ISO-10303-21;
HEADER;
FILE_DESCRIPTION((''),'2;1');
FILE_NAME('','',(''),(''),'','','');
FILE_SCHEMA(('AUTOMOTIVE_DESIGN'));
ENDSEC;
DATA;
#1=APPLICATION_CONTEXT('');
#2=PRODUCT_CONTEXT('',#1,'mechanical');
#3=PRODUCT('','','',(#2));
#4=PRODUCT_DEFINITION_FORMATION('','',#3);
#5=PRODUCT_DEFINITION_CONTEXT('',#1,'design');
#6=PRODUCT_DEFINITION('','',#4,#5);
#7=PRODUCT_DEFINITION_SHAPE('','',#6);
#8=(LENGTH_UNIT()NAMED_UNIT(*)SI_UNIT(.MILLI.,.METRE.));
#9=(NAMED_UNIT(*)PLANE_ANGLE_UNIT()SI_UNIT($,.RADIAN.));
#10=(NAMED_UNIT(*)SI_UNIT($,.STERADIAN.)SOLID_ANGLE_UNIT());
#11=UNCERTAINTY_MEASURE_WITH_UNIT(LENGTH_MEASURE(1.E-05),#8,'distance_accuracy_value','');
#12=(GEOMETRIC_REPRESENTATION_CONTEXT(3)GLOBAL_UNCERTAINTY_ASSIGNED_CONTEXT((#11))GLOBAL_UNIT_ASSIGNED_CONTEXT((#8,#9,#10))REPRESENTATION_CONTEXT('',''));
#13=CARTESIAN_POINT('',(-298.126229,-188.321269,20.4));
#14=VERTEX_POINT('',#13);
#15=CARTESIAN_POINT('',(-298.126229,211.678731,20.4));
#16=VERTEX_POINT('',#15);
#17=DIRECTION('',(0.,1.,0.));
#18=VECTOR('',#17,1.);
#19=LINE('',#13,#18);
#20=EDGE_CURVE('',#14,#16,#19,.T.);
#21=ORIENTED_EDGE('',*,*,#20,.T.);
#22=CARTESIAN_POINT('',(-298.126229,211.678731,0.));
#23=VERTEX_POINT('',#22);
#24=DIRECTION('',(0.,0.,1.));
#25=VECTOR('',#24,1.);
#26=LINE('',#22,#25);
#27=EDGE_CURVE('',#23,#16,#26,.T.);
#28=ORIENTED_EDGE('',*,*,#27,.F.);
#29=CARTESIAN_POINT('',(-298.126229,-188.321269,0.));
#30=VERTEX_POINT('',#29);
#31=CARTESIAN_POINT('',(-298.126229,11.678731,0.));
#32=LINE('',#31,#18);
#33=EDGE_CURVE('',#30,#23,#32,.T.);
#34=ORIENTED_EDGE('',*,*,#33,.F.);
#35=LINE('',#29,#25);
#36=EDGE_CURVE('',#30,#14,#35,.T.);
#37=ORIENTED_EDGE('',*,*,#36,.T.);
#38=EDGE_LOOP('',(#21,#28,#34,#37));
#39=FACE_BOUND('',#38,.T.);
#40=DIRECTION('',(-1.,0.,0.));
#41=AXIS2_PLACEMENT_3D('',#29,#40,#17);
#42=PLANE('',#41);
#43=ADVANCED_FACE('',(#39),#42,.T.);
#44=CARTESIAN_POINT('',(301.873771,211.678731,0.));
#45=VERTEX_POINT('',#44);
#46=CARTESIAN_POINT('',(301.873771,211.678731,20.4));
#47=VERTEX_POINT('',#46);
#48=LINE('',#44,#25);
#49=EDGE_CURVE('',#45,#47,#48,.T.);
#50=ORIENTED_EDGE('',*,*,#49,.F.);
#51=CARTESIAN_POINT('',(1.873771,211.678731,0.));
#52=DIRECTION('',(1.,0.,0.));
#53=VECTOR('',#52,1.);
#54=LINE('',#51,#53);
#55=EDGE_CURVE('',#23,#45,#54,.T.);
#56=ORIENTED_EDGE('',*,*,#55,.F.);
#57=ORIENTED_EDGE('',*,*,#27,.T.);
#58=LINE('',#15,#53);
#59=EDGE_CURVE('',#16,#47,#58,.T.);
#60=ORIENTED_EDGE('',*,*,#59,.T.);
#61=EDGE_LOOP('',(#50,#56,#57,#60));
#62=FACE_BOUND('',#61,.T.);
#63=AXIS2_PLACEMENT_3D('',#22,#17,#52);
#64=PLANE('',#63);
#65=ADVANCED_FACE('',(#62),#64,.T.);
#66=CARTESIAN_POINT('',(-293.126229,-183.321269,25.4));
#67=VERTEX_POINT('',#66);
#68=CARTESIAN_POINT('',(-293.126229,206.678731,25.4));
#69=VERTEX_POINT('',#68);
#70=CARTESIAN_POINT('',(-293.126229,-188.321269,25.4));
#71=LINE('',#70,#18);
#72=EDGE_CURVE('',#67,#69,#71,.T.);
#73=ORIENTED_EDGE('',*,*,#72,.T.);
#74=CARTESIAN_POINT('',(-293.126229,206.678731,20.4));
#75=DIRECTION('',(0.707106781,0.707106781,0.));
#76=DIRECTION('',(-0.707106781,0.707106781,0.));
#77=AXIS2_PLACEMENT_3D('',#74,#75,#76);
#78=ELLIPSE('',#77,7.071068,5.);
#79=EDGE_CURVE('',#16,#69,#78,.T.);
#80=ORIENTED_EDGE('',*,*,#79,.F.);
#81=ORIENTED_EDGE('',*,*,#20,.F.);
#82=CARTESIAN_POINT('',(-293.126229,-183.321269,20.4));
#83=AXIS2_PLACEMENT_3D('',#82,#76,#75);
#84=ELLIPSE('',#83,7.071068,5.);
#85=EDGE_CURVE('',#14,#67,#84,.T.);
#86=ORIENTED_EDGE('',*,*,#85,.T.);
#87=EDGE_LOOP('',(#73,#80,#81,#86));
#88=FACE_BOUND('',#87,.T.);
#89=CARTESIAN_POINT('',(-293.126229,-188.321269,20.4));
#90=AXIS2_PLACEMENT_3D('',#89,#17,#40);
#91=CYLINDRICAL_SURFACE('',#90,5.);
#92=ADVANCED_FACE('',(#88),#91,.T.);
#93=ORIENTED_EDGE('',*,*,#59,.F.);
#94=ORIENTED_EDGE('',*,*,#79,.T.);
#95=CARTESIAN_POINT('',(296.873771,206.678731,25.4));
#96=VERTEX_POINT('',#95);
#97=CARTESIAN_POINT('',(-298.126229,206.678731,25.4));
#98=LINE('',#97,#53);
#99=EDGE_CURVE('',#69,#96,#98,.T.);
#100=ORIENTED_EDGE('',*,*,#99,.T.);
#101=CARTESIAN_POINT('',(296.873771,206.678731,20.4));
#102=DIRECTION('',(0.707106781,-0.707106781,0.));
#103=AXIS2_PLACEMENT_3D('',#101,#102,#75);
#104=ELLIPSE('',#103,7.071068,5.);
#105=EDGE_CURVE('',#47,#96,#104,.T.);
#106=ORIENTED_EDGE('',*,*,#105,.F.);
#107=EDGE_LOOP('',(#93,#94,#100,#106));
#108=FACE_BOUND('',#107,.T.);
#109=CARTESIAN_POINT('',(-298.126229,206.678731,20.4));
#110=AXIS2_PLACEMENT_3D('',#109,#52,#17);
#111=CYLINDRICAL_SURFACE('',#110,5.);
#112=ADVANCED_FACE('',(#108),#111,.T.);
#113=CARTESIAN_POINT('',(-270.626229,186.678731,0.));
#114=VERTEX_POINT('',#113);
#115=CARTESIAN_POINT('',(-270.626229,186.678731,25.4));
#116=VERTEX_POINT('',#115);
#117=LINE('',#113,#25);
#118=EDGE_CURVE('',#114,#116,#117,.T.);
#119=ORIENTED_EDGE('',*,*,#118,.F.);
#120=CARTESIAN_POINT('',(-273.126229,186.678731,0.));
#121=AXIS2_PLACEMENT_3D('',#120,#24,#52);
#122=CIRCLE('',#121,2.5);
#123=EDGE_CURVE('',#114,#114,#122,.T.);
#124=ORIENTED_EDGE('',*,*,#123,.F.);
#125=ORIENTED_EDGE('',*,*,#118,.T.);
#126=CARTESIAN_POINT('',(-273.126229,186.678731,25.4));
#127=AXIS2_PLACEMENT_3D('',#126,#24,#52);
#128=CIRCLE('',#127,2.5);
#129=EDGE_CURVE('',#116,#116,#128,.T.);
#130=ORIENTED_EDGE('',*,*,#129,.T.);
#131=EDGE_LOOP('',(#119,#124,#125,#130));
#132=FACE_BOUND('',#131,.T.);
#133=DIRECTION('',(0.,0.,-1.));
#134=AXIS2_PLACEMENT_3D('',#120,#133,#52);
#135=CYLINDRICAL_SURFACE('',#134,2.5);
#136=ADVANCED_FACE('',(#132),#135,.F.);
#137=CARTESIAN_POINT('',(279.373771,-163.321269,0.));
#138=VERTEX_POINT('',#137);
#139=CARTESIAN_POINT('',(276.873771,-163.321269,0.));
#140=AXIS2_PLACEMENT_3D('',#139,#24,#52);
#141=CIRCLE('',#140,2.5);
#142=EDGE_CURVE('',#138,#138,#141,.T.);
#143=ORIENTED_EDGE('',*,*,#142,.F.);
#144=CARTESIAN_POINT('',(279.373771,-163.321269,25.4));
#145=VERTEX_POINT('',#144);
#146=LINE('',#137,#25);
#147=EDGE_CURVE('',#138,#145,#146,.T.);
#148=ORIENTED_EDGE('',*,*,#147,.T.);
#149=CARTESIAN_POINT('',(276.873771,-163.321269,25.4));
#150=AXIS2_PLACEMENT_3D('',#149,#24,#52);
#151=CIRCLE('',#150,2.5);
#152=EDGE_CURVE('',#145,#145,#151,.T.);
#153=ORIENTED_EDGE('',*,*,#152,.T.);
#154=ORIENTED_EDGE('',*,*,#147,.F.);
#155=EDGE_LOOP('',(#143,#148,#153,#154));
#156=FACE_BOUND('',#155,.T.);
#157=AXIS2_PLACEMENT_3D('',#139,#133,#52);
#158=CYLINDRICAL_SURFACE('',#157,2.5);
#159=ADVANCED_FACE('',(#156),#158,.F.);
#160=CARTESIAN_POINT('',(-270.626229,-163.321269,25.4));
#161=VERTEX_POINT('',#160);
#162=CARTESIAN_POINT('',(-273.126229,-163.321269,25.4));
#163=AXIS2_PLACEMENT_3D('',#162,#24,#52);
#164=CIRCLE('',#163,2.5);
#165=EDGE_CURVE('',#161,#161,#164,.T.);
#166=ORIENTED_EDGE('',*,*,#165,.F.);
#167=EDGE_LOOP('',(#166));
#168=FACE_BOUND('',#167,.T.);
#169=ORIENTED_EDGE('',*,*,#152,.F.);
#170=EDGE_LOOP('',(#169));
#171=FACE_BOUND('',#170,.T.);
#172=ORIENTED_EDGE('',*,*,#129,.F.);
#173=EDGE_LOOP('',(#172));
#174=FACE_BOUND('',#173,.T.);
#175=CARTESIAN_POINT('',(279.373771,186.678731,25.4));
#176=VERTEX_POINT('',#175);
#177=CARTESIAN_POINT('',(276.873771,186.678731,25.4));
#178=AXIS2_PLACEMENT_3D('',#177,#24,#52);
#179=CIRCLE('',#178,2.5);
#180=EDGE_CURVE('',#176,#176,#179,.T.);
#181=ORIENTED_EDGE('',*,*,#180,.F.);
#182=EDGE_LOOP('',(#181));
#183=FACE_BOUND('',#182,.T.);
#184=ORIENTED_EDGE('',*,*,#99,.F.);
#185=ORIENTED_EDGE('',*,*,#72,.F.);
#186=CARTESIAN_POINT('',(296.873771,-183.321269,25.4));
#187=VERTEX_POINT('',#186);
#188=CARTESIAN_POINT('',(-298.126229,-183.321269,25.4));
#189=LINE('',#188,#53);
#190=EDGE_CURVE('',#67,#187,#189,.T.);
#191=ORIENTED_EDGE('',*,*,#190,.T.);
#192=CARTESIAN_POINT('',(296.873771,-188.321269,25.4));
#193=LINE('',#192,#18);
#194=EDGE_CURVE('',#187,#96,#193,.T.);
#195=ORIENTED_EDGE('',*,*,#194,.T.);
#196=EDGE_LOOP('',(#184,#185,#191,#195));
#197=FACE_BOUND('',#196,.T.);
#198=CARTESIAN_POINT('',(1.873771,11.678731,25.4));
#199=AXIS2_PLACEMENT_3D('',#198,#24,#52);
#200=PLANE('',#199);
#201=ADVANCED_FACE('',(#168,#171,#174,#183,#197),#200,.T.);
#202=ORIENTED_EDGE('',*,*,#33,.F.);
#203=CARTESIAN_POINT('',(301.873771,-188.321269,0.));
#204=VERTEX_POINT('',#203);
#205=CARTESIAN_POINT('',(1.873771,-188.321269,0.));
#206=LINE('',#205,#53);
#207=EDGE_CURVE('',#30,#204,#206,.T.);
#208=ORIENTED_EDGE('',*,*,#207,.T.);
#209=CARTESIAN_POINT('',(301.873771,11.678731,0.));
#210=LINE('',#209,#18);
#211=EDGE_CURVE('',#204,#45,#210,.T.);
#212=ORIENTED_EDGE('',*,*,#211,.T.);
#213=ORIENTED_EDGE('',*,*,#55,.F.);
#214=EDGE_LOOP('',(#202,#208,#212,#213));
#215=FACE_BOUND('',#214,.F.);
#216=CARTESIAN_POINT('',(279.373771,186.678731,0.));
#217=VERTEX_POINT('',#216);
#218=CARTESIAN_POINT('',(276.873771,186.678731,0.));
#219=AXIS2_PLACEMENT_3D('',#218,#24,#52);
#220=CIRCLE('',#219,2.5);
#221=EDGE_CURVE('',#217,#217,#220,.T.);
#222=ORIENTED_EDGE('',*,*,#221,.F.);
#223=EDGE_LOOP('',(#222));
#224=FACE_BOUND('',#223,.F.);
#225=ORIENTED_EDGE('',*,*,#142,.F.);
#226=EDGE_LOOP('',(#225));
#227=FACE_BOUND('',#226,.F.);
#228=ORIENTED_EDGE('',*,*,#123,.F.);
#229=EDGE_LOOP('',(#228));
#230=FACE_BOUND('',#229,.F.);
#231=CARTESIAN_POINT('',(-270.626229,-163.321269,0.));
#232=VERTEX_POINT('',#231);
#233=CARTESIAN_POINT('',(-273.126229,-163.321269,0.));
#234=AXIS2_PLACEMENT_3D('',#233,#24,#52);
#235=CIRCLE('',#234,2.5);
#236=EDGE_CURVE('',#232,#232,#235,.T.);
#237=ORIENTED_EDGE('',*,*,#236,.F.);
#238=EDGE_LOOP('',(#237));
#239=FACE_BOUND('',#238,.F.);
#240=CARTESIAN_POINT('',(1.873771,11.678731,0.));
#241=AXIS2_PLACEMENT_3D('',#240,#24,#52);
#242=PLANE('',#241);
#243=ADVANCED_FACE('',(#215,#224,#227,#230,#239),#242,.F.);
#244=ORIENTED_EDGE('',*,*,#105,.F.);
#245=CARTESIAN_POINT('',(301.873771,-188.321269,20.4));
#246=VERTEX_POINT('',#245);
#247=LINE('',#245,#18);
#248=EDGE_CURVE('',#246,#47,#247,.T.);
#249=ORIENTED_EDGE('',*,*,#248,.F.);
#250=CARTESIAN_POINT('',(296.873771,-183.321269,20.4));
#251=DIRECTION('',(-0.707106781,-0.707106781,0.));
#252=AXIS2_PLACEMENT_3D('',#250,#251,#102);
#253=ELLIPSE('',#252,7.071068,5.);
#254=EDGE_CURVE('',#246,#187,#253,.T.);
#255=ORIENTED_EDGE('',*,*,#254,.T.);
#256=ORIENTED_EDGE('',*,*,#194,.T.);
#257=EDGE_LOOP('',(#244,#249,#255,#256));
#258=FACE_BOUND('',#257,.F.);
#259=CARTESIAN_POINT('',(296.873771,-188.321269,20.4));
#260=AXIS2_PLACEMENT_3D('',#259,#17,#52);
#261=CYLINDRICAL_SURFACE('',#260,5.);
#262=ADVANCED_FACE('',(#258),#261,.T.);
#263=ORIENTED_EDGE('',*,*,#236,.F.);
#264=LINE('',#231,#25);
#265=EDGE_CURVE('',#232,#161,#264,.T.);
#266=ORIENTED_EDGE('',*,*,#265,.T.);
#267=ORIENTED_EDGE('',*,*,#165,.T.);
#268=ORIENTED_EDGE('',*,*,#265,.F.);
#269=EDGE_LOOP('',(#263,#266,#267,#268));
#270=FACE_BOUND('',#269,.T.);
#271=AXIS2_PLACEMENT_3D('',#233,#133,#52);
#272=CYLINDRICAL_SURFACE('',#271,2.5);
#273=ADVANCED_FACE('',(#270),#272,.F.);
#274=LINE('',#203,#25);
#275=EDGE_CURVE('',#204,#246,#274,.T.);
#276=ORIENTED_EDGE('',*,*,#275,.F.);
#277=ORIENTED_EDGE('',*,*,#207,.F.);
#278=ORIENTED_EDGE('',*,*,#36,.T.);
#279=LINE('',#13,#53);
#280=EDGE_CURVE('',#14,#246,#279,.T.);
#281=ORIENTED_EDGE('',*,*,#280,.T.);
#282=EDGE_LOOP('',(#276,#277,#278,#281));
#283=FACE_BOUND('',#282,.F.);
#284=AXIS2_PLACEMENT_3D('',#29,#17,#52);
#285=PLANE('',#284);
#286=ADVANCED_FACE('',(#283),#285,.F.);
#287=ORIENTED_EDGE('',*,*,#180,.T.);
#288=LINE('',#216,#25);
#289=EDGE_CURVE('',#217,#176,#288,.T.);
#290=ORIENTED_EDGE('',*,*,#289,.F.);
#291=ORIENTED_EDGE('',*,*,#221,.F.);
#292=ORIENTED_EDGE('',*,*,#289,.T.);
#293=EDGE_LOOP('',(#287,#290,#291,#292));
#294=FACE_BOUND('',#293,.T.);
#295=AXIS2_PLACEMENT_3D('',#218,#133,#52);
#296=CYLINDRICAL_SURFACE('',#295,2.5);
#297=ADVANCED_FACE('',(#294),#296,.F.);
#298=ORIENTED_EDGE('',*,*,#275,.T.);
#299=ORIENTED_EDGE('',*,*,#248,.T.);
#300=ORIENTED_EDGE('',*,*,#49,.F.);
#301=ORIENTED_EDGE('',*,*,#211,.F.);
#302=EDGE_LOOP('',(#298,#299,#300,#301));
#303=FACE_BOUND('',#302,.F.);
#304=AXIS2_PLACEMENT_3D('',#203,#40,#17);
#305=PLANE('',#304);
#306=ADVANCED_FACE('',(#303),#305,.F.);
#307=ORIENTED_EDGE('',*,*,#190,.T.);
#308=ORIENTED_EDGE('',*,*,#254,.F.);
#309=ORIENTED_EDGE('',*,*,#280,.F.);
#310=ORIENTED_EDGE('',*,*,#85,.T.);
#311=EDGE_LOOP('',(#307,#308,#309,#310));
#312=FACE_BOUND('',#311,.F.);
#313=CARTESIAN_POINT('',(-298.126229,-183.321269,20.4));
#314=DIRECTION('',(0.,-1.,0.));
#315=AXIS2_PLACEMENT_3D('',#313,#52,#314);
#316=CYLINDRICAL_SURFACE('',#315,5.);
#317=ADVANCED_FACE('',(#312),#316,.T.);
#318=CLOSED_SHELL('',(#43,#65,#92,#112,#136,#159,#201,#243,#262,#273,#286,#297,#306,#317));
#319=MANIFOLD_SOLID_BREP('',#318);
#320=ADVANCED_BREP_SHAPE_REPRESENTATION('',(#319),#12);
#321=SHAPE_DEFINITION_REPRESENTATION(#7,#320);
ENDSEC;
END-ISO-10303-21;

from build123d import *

# Parameters (mm, degrees)
F0_W     = 600
F0_H     = 400
F0_R     = 2.5
F1_DEPTH = 25.4
F2_R     = 5


with BuildPart() as f1:
    # F0 (on Top) → F1 (new body)
    with BuildSketch(Plane.XY):
        with Locations((1.873771, 11.678731)):
            Rectangle(F0_W, F0_H)
        with Locations((-273.126229, -163.321269)):
            Circle(F0_R, mode=Mode.SUBTRACT)
        with Locations((276.873771, -163.321269)):
            Circle(F0_R, mode=Mode.SUBTRACT)
        with Locations((-273.126229, 186.678731)):
            Circle(F0_R, mode=Mode.SUBTRACT)
        with Locations((276.873771, 186.678731)):
            Circle(F0_R, mode=Mode.SUBTRACT)
    extrude(amount=F1_DEPTH)

    # F2
    f2_edges = [f1.edges().sort_by_distance(p)[0] for p in [
        (1.873771, -188.321269, 25.4),
        (-298.126229, 11.678731, 25.4),
        (1.873771, 211.678731, 25.4),
        (301.873771, 11.678731, 25.4),
    ]]
    fillet(f2_edges, radius=F2_R)


solid = f1.part
